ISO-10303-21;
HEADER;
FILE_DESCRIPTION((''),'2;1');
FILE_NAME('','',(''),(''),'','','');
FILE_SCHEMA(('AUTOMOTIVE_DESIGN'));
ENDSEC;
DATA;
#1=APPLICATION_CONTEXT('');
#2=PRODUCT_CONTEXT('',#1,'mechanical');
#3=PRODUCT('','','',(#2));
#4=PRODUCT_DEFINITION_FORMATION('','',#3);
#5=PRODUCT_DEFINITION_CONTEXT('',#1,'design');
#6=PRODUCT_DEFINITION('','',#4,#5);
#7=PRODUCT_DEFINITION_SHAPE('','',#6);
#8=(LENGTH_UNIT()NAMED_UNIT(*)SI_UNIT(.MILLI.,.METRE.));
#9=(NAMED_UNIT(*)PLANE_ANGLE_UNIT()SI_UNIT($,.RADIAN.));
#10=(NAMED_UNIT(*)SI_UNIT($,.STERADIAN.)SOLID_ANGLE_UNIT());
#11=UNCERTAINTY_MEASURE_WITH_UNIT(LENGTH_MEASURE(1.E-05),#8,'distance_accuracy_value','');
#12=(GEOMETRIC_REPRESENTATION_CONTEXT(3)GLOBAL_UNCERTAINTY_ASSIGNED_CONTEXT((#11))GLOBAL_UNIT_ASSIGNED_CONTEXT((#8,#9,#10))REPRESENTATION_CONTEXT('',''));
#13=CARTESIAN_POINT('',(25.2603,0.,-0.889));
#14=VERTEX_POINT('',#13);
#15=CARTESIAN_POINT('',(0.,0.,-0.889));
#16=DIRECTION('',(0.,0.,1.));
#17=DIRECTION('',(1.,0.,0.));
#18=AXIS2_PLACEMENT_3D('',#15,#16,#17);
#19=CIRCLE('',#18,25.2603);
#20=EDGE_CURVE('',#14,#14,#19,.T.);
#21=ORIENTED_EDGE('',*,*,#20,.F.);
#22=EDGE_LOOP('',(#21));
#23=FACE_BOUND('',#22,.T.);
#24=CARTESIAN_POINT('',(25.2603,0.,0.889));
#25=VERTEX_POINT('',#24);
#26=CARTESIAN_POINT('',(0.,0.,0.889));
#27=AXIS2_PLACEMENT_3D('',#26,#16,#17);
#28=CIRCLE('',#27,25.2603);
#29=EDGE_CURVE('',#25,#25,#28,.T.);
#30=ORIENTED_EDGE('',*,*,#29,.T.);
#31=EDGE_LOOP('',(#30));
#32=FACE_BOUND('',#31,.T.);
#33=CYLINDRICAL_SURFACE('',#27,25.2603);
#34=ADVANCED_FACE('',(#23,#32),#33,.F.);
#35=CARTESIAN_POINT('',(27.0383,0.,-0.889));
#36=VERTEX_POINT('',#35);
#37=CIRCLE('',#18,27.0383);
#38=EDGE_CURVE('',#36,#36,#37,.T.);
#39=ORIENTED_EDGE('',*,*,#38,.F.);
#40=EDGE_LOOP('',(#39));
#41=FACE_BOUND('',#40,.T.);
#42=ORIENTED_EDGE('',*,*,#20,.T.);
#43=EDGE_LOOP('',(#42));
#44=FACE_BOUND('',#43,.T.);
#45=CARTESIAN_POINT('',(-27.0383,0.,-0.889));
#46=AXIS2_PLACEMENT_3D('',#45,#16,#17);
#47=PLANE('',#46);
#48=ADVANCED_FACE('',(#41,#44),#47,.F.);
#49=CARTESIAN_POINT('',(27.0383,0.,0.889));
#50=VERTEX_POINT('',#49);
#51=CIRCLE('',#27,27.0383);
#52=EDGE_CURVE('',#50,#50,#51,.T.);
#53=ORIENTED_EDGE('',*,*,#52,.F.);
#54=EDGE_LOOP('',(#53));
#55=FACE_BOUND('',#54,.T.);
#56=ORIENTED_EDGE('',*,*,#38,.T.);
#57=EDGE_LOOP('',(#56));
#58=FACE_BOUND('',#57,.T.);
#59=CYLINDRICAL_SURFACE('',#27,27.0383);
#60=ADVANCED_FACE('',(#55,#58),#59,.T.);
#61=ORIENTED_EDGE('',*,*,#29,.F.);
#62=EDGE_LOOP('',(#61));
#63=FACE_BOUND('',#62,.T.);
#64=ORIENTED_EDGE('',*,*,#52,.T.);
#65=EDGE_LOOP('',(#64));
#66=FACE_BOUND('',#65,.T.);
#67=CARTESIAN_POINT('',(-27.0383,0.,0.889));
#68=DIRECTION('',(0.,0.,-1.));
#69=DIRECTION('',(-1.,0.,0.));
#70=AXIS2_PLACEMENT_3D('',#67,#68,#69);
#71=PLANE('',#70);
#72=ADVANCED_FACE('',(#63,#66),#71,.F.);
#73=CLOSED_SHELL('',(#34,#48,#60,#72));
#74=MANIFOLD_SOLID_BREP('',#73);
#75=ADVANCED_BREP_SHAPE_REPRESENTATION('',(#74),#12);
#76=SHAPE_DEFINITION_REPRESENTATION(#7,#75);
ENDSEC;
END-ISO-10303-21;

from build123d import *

# Parameters (mm, degrees)
SKETCH2_W = 1.778
SKETCH2_H = 1.778


with BuildPart() as part:
    # Sketch2 → Revolve1 (revolve)
    with BuildSketch(Plane(origin=(0, 0, 0), x_dir=(1, 0, 0), z_dir=(0, 1, 0)), mode=Mode.PRIVATE) as revolve1_sk:
        with Locations((-26.1493, 0)):
            Rectangle(SKETCH2_W, SKETCH2_H)
    revolve(revolve1_sk.sketch.rotate(Axis((0, 0, 0.889), (0, 0, -1)), 180), axis=Axis((0, 0, 0.889), (0, 0, -1)))


solid = part.part
